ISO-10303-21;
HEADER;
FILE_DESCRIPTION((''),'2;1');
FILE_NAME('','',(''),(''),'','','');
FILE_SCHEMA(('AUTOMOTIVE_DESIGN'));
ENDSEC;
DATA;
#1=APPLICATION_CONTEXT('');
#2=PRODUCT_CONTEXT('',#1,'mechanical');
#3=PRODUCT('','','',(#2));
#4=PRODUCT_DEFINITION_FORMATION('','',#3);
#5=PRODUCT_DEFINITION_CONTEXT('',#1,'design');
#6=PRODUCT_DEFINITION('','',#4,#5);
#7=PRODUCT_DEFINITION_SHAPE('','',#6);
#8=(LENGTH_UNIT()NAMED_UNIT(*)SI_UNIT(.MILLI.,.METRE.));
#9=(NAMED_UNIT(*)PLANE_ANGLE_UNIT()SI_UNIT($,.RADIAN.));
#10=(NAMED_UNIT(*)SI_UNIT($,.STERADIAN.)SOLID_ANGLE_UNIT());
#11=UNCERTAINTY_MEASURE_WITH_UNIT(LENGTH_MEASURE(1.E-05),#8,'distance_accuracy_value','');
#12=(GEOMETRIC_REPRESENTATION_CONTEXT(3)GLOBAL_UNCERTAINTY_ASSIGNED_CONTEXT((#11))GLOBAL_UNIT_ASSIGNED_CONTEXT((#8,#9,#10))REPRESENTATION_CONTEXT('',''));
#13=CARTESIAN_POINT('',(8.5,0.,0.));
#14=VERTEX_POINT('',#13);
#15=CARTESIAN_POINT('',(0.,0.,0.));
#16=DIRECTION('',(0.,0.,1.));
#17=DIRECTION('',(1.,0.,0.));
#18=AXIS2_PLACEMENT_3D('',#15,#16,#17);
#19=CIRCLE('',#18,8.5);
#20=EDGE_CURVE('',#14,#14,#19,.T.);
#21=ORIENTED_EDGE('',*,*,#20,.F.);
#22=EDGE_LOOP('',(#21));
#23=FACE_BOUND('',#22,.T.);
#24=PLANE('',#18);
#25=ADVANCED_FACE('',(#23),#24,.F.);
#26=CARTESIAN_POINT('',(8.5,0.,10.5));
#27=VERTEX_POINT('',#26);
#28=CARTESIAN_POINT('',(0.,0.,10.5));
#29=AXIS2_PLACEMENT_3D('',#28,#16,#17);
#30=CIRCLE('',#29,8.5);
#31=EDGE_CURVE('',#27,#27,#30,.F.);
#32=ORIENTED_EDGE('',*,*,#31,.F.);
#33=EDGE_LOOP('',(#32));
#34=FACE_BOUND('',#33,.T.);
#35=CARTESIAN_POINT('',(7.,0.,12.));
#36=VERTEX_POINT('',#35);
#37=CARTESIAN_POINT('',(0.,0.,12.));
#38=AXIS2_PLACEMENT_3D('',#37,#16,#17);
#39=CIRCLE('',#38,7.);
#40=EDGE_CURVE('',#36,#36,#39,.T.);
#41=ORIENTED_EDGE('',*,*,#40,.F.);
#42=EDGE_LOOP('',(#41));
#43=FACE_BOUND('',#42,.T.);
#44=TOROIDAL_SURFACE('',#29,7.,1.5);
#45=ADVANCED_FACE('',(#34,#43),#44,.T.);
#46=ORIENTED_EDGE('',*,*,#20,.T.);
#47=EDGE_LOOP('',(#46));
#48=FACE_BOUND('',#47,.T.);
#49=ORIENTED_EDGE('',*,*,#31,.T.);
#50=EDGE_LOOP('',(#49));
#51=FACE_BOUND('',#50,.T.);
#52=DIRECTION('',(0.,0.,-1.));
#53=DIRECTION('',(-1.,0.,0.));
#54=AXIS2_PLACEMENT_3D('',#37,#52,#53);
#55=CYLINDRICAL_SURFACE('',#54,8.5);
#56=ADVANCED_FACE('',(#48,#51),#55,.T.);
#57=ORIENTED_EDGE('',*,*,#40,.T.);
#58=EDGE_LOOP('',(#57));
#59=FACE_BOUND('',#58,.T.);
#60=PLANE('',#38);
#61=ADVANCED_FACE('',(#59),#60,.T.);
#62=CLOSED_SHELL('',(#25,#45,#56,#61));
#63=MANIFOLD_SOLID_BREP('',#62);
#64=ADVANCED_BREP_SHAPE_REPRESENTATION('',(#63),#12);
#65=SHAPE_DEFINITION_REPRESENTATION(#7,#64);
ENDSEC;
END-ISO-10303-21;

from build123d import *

# Parameters (mm, degrees)
SKETCH_1_R      = 8.5
EXTRUDE_1_DEPTH = 12
FILLET_1_R      = 1.5


with BuildPart() as part:
    # Эскиз1 → Бобышка-Вытянуть1 (new body)
    with BuildSketch(Plane.XY):
        Circle(SKETCH_1_R)
    extrude(amount=EXTRUDE_1_DEPTH)

    # Скругление1
    fillet_1_edges = [part.edges().sort_by_distance(p)[0] for p in [
        (-8.5, 0, 12),
    ]]
    fillet(fillet_1_edges, radius=FILLET_1_R)


solid = part.part
